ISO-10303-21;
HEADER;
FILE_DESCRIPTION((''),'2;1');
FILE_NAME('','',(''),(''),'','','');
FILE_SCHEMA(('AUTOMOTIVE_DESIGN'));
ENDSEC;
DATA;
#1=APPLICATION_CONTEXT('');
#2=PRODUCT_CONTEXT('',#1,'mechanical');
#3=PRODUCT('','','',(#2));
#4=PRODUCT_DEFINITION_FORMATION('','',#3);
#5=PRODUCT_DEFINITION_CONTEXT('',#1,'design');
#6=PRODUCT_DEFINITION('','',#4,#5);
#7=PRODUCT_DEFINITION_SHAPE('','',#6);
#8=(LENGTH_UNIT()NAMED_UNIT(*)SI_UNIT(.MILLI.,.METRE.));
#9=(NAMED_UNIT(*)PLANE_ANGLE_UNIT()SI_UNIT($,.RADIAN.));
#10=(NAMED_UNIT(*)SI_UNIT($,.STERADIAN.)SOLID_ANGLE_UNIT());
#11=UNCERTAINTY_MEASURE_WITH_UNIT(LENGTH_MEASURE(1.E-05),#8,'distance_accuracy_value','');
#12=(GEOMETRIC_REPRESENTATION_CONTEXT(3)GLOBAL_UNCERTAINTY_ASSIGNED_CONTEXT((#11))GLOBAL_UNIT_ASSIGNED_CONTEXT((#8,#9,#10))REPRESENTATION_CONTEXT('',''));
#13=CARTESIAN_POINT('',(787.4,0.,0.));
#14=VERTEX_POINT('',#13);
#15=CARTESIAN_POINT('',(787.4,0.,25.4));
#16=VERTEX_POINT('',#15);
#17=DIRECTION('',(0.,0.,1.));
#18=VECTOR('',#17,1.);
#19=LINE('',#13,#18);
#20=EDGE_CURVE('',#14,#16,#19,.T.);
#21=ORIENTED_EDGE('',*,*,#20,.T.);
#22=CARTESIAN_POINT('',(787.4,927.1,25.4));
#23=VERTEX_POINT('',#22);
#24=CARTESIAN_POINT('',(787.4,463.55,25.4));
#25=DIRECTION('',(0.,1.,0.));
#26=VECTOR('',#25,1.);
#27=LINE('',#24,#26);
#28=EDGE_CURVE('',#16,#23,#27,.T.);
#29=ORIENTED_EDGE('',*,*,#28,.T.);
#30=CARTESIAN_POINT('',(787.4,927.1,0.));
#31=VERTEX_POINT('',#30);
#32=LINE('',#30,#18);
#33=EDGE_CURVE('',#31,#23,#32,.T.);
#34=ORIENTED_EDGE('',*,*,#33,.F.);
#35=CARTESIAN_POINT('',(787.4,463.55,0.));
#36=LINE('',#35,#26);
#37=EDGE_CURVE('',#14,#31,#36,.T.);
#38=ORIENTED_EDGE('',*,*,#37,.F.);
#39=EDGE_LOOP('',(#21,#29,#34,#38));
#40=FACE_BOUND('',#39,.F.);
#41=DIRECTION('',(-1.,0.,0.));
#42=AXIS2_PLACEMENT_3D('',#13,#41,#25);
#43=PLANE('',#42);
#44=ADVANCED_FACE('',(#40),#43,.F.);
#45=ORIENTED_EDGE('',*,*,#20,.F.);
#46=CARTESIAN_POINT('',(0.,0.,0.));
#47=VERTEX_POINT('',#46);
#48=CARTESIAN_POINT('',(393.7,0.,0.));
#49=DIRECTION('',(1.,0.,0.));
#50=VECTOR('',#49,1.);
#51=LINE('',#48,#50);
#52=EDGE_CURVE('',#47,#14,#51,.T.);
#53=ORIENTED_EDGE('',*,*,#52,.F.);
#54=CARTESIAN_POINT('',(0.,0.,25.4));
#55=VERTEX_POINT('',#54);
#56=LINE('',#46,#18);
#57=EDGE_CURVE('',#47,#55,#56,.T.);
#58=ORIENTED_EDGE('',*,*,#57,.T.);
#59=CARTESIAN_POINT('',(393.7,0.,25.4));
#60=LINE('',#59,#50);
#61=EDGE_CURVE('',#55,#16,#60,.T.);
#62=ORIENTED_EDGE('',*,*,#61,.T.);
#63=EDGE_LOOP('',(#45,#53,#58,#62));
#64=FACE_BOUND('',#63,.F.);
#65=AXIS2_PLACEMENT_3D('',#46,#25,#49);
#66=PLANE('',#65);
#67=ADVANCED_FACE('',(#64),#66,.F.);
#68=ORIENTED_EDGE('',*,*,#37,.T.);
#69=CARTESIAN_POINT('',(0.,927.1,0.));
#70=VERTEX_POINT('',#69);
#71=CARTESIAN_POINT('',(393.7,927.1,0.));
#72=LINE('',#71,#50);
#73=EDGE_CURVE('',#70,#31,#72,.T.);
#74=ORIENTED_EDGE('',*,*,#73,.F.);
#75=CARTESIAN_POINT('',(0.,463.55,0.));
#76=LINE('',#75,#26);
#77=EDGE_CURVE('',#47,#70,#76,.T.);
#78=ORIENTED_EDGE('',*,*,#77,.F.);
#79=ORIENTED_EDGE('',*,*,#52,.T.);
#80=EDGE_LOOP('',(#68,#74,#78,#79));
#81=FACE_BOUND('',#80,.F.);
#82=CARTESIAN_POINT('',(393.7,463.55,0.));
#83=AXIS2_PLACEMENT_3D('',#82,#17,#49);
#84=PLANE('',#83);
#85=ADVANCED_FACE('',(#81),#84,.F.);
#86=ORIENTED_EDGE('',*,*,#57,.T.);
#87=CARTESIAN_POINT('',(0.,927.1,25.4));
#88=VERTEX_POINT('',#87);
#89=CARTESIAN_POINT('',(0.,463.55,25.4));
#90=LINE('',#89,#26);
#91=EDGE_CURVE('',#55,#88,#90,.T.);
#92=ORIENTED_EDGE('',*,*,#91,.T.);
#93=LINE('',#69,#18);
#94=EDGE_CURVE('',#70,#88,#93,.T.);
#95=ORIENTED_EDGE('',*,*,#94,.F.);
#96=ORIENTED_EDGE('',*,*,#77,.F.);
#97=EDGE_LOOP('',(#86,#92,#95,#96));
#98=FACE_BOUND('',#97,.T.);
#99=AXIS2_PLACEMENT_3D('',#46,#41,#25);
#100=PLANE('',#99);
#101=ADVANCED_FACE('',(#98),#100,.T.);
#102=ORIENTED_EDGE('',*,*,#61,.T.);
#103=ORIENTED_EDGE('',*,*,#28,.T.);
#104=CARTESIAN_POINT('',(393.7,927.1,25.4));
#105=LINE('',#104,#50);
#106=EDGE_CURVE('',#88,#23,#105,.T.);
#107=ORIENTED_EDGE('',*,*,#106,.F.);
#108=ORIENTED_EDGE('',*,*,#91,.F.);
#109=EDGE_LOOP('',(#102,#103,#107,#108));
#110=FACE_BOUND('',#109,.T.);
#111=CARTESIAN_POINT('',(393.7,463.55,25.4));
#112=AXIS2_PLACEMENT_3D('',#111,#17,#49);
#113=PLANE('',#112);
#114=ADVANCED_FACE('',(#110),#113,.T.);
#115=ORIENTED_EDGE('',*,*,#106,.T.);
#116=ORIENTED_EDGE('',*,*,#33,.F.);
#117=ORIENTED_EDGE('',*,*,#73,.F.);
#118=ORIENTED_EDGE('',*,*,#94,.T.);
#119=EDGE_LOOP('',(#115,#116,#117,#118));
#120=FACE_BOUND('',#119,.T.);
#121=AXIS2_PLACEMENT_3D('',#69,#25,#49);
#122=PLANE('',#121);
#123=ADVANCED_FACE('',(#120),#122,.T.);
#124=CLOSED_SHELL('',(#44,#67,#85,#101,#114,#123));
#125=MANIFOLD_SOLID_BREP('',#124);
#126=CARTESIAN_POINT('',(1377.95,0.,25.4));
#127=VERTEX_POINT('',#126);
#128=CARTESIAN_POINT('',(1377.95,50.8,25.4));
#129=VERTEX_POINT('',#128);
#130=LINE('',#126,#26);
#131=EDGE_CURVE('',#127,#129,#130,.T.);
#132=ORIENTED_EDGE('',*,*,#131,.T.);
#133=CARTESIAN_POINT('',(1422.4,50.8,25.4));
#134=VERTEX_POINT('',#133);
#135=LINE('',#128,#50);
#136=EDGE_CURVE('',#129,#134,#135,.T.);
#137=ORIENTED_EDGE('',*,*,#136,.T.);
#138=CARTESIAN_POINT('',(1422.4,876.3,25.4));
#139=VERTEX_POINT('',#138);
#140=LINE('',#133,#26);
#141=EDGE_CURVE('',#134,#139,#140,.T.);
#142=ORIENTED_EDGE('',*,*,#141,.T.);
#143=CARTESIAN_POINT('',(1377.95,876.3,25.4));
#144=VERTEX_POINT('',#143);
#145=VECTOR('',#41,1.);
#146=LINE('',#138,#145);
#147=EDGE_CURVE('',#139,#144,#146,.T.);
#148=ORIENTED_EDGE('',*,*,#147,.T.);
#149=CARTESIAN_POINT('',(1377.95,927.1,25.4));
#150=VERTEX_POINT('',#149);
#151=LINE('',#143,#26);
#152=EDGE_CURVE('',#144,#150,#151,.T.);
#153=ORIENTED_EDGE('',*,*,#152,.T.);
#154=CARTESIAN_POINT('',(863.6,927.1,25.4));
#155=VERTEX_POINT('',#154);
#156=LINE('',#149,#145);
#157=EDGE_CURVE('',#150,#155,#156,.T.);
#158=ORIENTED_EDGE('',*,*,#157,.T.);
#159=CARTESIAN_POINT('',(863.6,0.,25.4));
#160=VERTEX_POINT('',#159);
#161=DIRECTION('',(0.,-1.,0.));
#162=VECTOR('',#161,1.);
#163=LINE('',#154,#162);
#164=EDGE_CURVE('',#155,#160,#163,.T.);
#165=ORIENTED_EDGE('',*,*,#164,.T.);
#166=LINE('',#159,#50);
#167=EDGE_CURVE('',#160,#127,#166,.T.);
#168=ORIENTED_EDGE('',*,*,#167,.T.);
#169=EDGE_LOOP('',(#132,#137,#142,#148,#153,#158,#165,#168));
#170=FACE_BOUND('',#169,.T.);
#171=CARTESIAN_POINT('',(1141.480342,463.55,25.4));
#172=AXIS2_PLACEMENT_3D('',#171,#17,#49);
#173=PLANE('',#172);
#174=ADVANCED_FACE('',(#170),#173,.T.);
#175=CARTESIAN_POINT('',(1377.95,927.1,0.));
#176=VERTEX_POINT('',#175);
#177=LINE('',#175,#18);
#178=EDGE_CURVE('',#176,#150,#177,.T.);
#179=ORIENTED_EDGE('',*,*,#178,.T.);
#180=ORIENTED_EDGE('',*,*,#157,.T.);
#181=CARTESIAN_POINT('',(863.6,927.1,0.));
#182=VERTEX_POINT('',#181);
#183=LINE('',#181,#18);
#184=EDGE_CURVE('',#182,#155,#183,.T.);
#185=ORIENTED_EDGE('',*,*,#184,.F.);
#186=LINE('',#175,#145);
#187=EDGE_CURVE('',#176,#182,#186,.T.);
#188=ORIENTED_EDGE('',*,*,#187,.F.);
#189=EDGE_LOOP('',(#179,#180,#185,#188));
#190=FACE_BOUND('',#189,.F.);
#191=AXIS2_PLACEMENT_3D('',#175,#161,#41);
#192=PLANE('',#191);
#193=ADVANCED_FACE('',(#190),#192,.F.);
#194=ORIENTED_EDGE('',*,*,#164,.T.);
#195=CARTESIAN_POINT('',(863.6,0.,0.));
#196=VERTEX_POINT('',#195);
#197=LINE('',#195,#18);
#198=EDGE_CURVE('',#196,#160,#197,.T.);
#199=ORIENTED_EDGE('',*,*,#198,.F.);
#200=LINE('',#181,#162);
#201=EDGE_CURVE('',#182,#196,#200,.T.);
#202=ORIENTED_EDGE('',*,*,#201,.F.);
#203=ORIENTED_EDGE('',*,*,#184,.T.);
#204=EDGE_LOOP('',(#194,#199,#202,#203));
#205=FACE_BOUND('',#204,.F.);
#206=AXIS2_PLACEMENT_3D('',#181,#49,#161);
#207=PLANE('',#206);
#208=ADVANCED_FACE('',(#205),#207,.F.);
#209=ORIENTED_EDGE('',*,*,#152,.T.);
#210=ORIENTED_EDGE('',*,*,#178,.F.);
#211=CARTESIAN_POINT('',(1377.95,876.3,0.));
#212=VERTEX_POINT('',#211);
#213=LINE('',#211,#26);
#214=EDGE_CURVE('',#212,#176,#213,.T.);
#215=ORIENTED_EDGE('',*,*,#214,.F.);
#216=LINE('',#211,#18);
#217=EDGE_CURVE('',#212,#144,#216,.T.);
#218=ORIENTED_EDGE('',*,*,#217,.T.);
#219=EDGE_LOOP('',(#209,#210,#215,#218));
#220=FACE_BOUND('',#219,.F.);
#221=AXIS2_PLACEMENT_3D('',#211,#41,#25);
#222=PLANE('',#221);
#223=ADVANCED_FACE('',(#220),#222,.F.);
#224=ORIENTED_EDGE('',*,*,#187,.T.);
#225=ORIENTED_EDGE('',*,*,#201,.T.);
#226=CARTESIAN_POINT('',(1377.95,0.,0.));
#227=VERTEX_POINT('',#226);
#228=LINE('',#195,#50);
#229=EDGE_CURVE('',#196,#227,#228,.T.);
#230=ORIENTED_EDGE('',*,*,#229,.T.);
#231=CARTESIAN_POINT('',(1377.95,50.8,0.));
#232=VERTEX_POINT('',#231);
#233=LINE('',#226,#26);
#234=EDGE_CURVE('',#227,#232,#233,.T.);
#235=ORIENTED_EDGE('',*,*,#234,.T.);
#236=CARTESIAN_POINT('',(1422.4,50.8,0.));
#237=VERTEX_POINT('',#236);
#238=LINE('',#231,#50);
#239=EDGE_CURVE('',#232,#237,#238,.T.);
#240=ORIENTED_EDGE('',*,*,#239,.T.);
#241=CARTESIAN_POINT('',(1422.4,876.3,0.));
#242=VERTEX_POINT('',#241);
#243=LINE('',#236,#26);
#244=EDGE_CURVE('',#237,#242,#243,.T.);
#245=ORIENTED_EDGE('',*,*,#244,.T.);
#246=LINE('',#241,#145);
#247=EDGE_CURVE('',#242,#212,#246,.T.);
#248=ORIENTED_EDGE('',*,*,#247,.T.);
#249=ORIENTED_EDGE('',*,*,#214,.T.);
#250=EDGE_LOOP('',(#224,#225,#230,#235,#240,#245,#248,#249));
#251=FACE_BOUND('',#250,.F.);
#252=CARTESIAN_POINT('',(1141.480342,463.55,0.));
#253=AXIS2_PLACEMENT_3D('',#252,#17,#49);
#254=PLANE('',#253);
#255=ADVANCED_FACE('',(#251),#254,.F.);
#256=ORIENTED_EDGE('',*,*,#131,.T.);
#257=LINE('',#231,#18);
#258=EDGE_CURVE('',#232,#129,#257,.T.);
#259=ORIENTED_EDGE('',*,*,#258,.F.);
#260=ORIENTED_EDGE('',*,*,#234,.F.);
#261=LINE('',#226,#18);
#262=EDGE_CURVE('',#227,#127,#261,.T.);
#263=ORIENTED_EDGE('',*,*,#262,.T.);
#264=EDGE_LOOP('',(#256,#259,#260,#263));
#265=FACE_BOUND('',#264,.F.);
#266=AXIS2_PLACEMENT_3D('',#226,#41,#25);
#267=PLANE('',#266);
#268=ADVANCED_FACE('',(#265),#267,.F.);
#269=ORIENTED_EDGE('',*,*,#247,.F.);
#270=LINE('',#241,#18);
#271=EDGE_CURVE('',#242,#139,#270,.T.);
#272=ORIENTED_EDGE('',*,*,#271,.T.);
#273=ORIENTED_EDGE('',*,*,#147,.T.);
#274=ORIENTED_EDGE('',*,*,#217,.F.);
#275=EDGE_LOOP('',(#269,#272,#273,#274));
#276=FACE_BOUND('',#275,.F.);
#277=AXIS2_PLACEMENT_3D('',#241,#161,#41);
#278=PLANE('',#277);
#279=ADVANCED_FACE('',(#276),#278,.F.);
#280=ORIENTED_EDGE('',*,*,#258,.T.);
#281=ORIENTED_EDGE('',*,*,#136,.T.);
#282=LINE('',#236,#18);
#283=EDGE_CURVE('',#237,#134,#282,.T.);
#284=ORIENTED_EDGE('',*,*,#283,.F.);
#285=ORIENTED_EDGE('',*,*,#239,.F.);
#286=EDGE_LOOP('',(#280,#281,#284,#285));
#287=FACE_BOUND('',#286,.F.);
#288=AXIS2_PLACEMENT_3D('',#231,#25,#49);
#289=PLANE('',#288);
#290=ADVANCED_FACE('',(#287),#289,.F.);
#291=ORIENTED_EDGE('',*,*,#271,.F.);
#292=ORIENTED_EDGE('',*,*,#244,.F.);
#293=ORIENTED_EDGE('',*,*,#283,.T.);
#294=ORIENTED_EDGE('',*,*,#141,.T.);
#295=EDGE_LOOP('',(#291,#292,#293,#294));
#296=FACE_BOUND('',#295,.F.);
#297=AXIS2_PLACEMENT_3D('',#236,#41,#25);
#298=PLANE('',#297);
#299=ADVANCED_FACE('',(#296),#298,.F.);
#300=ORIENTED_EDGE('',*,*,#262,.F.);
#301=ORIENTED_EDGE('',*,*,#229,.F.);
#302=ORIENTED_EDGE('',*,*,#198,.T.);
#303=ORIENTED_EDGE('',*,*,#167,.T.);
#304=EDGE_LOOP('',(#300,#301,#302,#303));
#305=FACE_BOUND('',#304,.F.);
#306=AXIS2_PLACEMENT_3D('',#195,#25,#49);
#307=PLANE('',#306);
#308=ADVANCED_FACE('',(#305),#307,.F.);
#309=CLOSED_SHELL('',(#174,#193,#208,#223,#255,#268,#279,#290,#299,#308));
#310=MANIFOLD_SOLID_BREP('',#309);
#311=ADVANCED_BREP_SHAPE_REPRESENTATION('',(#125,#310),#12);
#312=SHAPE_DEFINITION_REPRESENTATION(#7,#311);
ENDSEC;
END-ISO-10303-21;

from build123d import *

# Parameters (mm, degrees)
F0_W     = 787.4
F0_H     = 927.1
F1_DEPTH = 25.4


with BuildPart() as f1:
    # F0 (on Top) → F1 (new body)
    with BuildSketch(Plane.XY):
        with Locations((393.7, 463.55)):
            Rectangle(F0_W, F0_H)
        Polygon((863.6, 927.1), (863.6, 0), (1377.95, 0), (1377.95, 50.8), (1422.4, 50.8), (1422.4, 876.3), (1377.95, 876.3), (1377.95, 927.1), align=None)
    extrude(amount=F1_DEPTH)


solid = f1.part
